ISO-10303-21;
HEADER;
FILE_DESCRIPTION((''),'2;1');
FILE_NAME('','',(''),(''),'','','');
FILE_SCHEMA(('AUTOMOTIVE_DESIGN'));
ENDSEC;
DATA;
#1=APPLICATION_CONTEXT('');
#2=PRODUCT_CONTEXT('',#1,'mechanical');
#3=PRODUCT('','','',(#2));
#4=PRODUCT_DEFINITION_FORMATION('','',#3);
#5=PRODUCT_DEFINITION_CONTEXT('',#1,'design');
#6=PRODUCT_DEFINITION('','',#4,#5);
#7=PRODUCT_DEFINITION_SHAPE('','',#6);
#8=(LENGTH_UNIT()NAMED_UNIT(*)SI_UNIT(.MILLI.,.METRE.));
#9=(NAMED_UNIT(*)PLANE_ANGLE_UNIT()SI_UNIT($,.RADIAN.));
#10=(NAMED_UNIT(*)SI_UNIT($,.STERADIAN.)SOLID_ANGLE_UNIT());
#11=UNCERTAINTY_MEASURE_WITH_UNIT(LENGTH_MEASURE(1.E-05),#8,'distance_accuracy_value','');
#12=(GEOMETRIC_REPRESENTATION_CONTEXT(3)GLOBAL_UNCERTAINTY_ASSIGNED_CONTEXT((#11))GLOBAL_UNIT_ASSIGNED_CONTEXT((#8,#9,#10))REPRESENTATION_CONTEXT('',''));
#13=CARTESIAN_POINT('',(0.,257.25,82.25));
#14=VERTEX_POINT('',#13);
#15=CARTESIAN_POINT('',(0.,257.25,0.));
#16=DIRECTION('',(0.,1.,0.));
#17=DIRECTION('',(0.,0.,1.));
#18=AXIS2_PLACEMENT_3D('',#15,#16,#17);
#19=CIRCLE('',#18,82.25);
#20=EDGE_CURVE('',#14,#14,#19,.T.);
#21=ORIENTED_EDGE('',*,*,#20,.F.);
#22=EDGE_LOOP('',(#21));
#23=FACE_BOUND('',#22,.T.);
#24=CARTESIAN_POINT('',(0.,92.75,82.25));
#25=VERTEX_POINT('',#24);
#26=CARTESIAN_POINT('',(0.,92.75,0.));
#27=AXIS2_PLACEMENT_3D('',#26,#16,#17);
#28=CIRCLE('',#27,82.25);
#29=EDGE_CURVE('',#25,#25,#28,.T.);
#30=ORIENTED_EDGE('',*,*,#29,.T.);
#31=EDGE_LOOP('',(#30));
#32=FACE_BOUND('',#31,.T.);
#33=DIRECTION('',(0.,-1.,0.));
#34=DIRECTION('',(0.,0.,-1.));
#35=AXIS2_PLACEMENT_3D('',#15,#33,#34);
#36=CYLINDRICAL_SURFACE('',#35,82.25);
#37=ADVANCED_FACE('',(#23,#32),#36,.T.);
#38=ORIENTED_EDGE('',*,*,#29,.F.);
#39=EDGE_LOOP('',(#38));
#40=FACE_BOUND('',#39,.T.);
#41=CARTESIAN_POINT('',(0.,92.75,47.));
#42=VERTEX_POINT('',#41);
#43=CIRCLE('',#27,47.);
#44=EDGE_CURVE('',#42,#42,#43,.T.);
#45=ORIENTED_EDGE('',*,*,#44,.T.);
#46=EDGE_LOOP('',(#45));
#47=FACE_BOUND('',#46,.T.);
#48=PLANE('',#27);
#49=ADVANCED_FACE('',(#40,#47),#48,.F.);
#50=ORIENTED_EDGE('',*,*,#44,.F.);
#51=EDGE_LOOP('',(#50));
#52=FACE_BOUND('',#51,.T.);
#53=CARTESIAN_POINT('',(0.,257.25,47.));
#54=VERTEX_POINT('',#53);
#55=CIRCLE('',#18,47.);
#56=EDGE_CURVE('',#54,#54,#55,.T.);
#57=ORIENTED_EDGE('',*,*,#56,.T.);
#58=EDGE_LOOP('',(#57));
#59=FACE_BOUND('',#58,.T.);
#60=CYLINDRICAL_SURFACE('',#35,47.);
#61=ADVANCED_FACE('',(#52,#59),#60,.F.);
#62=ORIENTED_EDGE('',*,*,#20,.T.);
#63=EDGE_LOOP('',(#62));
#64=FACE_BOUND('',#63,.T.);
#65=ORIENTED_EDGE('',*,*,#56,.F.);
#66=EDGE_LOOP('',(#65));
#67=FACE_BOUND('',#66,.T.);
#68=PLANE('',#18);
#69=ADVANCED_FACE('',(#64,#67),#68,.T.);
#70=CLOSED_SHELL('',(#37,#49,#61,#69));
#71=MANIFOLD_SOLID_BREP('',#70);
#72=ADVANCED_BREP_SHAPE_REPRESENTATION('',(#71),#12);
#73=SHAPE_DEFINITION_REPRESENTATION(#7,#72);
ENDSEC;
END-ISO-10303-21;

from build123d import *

# Parameters (mm, degrees)
SKETCH1_R           = 175
SKETCH1_R_2         = 100
BOSS_EXTRUDE1_DEPTH = 350
ECHELLE1_SCALE      = 0.47


with BuildPart() as part:
    # Sketch1 → Boss-Extrude1 (new body)
    with BuildSketch(Plane(origin=(0, 0, 0), x_dir=(1, 0, 0), z_dir=(0, 1, 0))):
        with Locations(Location((0, 0, 0), (0, 0, 270))):
            Circle(SKETCH1_R)
        with Locations(Location((0, 0, 0), (0, 0, 270))):
            Circle(SKETCH1_R_2, mode=Mode.SUBTRACT)
    extrude(amount=BOSS_EXTRUDE1_DEPTH)


with BuildPart() as part_1:
    # Echelle1: scaled about (0, 175, 0)
    add(part.part.scale(ECHELLE1_SCALE).moved(Location((0, 92.75, 0))))


solid = part_1.part
